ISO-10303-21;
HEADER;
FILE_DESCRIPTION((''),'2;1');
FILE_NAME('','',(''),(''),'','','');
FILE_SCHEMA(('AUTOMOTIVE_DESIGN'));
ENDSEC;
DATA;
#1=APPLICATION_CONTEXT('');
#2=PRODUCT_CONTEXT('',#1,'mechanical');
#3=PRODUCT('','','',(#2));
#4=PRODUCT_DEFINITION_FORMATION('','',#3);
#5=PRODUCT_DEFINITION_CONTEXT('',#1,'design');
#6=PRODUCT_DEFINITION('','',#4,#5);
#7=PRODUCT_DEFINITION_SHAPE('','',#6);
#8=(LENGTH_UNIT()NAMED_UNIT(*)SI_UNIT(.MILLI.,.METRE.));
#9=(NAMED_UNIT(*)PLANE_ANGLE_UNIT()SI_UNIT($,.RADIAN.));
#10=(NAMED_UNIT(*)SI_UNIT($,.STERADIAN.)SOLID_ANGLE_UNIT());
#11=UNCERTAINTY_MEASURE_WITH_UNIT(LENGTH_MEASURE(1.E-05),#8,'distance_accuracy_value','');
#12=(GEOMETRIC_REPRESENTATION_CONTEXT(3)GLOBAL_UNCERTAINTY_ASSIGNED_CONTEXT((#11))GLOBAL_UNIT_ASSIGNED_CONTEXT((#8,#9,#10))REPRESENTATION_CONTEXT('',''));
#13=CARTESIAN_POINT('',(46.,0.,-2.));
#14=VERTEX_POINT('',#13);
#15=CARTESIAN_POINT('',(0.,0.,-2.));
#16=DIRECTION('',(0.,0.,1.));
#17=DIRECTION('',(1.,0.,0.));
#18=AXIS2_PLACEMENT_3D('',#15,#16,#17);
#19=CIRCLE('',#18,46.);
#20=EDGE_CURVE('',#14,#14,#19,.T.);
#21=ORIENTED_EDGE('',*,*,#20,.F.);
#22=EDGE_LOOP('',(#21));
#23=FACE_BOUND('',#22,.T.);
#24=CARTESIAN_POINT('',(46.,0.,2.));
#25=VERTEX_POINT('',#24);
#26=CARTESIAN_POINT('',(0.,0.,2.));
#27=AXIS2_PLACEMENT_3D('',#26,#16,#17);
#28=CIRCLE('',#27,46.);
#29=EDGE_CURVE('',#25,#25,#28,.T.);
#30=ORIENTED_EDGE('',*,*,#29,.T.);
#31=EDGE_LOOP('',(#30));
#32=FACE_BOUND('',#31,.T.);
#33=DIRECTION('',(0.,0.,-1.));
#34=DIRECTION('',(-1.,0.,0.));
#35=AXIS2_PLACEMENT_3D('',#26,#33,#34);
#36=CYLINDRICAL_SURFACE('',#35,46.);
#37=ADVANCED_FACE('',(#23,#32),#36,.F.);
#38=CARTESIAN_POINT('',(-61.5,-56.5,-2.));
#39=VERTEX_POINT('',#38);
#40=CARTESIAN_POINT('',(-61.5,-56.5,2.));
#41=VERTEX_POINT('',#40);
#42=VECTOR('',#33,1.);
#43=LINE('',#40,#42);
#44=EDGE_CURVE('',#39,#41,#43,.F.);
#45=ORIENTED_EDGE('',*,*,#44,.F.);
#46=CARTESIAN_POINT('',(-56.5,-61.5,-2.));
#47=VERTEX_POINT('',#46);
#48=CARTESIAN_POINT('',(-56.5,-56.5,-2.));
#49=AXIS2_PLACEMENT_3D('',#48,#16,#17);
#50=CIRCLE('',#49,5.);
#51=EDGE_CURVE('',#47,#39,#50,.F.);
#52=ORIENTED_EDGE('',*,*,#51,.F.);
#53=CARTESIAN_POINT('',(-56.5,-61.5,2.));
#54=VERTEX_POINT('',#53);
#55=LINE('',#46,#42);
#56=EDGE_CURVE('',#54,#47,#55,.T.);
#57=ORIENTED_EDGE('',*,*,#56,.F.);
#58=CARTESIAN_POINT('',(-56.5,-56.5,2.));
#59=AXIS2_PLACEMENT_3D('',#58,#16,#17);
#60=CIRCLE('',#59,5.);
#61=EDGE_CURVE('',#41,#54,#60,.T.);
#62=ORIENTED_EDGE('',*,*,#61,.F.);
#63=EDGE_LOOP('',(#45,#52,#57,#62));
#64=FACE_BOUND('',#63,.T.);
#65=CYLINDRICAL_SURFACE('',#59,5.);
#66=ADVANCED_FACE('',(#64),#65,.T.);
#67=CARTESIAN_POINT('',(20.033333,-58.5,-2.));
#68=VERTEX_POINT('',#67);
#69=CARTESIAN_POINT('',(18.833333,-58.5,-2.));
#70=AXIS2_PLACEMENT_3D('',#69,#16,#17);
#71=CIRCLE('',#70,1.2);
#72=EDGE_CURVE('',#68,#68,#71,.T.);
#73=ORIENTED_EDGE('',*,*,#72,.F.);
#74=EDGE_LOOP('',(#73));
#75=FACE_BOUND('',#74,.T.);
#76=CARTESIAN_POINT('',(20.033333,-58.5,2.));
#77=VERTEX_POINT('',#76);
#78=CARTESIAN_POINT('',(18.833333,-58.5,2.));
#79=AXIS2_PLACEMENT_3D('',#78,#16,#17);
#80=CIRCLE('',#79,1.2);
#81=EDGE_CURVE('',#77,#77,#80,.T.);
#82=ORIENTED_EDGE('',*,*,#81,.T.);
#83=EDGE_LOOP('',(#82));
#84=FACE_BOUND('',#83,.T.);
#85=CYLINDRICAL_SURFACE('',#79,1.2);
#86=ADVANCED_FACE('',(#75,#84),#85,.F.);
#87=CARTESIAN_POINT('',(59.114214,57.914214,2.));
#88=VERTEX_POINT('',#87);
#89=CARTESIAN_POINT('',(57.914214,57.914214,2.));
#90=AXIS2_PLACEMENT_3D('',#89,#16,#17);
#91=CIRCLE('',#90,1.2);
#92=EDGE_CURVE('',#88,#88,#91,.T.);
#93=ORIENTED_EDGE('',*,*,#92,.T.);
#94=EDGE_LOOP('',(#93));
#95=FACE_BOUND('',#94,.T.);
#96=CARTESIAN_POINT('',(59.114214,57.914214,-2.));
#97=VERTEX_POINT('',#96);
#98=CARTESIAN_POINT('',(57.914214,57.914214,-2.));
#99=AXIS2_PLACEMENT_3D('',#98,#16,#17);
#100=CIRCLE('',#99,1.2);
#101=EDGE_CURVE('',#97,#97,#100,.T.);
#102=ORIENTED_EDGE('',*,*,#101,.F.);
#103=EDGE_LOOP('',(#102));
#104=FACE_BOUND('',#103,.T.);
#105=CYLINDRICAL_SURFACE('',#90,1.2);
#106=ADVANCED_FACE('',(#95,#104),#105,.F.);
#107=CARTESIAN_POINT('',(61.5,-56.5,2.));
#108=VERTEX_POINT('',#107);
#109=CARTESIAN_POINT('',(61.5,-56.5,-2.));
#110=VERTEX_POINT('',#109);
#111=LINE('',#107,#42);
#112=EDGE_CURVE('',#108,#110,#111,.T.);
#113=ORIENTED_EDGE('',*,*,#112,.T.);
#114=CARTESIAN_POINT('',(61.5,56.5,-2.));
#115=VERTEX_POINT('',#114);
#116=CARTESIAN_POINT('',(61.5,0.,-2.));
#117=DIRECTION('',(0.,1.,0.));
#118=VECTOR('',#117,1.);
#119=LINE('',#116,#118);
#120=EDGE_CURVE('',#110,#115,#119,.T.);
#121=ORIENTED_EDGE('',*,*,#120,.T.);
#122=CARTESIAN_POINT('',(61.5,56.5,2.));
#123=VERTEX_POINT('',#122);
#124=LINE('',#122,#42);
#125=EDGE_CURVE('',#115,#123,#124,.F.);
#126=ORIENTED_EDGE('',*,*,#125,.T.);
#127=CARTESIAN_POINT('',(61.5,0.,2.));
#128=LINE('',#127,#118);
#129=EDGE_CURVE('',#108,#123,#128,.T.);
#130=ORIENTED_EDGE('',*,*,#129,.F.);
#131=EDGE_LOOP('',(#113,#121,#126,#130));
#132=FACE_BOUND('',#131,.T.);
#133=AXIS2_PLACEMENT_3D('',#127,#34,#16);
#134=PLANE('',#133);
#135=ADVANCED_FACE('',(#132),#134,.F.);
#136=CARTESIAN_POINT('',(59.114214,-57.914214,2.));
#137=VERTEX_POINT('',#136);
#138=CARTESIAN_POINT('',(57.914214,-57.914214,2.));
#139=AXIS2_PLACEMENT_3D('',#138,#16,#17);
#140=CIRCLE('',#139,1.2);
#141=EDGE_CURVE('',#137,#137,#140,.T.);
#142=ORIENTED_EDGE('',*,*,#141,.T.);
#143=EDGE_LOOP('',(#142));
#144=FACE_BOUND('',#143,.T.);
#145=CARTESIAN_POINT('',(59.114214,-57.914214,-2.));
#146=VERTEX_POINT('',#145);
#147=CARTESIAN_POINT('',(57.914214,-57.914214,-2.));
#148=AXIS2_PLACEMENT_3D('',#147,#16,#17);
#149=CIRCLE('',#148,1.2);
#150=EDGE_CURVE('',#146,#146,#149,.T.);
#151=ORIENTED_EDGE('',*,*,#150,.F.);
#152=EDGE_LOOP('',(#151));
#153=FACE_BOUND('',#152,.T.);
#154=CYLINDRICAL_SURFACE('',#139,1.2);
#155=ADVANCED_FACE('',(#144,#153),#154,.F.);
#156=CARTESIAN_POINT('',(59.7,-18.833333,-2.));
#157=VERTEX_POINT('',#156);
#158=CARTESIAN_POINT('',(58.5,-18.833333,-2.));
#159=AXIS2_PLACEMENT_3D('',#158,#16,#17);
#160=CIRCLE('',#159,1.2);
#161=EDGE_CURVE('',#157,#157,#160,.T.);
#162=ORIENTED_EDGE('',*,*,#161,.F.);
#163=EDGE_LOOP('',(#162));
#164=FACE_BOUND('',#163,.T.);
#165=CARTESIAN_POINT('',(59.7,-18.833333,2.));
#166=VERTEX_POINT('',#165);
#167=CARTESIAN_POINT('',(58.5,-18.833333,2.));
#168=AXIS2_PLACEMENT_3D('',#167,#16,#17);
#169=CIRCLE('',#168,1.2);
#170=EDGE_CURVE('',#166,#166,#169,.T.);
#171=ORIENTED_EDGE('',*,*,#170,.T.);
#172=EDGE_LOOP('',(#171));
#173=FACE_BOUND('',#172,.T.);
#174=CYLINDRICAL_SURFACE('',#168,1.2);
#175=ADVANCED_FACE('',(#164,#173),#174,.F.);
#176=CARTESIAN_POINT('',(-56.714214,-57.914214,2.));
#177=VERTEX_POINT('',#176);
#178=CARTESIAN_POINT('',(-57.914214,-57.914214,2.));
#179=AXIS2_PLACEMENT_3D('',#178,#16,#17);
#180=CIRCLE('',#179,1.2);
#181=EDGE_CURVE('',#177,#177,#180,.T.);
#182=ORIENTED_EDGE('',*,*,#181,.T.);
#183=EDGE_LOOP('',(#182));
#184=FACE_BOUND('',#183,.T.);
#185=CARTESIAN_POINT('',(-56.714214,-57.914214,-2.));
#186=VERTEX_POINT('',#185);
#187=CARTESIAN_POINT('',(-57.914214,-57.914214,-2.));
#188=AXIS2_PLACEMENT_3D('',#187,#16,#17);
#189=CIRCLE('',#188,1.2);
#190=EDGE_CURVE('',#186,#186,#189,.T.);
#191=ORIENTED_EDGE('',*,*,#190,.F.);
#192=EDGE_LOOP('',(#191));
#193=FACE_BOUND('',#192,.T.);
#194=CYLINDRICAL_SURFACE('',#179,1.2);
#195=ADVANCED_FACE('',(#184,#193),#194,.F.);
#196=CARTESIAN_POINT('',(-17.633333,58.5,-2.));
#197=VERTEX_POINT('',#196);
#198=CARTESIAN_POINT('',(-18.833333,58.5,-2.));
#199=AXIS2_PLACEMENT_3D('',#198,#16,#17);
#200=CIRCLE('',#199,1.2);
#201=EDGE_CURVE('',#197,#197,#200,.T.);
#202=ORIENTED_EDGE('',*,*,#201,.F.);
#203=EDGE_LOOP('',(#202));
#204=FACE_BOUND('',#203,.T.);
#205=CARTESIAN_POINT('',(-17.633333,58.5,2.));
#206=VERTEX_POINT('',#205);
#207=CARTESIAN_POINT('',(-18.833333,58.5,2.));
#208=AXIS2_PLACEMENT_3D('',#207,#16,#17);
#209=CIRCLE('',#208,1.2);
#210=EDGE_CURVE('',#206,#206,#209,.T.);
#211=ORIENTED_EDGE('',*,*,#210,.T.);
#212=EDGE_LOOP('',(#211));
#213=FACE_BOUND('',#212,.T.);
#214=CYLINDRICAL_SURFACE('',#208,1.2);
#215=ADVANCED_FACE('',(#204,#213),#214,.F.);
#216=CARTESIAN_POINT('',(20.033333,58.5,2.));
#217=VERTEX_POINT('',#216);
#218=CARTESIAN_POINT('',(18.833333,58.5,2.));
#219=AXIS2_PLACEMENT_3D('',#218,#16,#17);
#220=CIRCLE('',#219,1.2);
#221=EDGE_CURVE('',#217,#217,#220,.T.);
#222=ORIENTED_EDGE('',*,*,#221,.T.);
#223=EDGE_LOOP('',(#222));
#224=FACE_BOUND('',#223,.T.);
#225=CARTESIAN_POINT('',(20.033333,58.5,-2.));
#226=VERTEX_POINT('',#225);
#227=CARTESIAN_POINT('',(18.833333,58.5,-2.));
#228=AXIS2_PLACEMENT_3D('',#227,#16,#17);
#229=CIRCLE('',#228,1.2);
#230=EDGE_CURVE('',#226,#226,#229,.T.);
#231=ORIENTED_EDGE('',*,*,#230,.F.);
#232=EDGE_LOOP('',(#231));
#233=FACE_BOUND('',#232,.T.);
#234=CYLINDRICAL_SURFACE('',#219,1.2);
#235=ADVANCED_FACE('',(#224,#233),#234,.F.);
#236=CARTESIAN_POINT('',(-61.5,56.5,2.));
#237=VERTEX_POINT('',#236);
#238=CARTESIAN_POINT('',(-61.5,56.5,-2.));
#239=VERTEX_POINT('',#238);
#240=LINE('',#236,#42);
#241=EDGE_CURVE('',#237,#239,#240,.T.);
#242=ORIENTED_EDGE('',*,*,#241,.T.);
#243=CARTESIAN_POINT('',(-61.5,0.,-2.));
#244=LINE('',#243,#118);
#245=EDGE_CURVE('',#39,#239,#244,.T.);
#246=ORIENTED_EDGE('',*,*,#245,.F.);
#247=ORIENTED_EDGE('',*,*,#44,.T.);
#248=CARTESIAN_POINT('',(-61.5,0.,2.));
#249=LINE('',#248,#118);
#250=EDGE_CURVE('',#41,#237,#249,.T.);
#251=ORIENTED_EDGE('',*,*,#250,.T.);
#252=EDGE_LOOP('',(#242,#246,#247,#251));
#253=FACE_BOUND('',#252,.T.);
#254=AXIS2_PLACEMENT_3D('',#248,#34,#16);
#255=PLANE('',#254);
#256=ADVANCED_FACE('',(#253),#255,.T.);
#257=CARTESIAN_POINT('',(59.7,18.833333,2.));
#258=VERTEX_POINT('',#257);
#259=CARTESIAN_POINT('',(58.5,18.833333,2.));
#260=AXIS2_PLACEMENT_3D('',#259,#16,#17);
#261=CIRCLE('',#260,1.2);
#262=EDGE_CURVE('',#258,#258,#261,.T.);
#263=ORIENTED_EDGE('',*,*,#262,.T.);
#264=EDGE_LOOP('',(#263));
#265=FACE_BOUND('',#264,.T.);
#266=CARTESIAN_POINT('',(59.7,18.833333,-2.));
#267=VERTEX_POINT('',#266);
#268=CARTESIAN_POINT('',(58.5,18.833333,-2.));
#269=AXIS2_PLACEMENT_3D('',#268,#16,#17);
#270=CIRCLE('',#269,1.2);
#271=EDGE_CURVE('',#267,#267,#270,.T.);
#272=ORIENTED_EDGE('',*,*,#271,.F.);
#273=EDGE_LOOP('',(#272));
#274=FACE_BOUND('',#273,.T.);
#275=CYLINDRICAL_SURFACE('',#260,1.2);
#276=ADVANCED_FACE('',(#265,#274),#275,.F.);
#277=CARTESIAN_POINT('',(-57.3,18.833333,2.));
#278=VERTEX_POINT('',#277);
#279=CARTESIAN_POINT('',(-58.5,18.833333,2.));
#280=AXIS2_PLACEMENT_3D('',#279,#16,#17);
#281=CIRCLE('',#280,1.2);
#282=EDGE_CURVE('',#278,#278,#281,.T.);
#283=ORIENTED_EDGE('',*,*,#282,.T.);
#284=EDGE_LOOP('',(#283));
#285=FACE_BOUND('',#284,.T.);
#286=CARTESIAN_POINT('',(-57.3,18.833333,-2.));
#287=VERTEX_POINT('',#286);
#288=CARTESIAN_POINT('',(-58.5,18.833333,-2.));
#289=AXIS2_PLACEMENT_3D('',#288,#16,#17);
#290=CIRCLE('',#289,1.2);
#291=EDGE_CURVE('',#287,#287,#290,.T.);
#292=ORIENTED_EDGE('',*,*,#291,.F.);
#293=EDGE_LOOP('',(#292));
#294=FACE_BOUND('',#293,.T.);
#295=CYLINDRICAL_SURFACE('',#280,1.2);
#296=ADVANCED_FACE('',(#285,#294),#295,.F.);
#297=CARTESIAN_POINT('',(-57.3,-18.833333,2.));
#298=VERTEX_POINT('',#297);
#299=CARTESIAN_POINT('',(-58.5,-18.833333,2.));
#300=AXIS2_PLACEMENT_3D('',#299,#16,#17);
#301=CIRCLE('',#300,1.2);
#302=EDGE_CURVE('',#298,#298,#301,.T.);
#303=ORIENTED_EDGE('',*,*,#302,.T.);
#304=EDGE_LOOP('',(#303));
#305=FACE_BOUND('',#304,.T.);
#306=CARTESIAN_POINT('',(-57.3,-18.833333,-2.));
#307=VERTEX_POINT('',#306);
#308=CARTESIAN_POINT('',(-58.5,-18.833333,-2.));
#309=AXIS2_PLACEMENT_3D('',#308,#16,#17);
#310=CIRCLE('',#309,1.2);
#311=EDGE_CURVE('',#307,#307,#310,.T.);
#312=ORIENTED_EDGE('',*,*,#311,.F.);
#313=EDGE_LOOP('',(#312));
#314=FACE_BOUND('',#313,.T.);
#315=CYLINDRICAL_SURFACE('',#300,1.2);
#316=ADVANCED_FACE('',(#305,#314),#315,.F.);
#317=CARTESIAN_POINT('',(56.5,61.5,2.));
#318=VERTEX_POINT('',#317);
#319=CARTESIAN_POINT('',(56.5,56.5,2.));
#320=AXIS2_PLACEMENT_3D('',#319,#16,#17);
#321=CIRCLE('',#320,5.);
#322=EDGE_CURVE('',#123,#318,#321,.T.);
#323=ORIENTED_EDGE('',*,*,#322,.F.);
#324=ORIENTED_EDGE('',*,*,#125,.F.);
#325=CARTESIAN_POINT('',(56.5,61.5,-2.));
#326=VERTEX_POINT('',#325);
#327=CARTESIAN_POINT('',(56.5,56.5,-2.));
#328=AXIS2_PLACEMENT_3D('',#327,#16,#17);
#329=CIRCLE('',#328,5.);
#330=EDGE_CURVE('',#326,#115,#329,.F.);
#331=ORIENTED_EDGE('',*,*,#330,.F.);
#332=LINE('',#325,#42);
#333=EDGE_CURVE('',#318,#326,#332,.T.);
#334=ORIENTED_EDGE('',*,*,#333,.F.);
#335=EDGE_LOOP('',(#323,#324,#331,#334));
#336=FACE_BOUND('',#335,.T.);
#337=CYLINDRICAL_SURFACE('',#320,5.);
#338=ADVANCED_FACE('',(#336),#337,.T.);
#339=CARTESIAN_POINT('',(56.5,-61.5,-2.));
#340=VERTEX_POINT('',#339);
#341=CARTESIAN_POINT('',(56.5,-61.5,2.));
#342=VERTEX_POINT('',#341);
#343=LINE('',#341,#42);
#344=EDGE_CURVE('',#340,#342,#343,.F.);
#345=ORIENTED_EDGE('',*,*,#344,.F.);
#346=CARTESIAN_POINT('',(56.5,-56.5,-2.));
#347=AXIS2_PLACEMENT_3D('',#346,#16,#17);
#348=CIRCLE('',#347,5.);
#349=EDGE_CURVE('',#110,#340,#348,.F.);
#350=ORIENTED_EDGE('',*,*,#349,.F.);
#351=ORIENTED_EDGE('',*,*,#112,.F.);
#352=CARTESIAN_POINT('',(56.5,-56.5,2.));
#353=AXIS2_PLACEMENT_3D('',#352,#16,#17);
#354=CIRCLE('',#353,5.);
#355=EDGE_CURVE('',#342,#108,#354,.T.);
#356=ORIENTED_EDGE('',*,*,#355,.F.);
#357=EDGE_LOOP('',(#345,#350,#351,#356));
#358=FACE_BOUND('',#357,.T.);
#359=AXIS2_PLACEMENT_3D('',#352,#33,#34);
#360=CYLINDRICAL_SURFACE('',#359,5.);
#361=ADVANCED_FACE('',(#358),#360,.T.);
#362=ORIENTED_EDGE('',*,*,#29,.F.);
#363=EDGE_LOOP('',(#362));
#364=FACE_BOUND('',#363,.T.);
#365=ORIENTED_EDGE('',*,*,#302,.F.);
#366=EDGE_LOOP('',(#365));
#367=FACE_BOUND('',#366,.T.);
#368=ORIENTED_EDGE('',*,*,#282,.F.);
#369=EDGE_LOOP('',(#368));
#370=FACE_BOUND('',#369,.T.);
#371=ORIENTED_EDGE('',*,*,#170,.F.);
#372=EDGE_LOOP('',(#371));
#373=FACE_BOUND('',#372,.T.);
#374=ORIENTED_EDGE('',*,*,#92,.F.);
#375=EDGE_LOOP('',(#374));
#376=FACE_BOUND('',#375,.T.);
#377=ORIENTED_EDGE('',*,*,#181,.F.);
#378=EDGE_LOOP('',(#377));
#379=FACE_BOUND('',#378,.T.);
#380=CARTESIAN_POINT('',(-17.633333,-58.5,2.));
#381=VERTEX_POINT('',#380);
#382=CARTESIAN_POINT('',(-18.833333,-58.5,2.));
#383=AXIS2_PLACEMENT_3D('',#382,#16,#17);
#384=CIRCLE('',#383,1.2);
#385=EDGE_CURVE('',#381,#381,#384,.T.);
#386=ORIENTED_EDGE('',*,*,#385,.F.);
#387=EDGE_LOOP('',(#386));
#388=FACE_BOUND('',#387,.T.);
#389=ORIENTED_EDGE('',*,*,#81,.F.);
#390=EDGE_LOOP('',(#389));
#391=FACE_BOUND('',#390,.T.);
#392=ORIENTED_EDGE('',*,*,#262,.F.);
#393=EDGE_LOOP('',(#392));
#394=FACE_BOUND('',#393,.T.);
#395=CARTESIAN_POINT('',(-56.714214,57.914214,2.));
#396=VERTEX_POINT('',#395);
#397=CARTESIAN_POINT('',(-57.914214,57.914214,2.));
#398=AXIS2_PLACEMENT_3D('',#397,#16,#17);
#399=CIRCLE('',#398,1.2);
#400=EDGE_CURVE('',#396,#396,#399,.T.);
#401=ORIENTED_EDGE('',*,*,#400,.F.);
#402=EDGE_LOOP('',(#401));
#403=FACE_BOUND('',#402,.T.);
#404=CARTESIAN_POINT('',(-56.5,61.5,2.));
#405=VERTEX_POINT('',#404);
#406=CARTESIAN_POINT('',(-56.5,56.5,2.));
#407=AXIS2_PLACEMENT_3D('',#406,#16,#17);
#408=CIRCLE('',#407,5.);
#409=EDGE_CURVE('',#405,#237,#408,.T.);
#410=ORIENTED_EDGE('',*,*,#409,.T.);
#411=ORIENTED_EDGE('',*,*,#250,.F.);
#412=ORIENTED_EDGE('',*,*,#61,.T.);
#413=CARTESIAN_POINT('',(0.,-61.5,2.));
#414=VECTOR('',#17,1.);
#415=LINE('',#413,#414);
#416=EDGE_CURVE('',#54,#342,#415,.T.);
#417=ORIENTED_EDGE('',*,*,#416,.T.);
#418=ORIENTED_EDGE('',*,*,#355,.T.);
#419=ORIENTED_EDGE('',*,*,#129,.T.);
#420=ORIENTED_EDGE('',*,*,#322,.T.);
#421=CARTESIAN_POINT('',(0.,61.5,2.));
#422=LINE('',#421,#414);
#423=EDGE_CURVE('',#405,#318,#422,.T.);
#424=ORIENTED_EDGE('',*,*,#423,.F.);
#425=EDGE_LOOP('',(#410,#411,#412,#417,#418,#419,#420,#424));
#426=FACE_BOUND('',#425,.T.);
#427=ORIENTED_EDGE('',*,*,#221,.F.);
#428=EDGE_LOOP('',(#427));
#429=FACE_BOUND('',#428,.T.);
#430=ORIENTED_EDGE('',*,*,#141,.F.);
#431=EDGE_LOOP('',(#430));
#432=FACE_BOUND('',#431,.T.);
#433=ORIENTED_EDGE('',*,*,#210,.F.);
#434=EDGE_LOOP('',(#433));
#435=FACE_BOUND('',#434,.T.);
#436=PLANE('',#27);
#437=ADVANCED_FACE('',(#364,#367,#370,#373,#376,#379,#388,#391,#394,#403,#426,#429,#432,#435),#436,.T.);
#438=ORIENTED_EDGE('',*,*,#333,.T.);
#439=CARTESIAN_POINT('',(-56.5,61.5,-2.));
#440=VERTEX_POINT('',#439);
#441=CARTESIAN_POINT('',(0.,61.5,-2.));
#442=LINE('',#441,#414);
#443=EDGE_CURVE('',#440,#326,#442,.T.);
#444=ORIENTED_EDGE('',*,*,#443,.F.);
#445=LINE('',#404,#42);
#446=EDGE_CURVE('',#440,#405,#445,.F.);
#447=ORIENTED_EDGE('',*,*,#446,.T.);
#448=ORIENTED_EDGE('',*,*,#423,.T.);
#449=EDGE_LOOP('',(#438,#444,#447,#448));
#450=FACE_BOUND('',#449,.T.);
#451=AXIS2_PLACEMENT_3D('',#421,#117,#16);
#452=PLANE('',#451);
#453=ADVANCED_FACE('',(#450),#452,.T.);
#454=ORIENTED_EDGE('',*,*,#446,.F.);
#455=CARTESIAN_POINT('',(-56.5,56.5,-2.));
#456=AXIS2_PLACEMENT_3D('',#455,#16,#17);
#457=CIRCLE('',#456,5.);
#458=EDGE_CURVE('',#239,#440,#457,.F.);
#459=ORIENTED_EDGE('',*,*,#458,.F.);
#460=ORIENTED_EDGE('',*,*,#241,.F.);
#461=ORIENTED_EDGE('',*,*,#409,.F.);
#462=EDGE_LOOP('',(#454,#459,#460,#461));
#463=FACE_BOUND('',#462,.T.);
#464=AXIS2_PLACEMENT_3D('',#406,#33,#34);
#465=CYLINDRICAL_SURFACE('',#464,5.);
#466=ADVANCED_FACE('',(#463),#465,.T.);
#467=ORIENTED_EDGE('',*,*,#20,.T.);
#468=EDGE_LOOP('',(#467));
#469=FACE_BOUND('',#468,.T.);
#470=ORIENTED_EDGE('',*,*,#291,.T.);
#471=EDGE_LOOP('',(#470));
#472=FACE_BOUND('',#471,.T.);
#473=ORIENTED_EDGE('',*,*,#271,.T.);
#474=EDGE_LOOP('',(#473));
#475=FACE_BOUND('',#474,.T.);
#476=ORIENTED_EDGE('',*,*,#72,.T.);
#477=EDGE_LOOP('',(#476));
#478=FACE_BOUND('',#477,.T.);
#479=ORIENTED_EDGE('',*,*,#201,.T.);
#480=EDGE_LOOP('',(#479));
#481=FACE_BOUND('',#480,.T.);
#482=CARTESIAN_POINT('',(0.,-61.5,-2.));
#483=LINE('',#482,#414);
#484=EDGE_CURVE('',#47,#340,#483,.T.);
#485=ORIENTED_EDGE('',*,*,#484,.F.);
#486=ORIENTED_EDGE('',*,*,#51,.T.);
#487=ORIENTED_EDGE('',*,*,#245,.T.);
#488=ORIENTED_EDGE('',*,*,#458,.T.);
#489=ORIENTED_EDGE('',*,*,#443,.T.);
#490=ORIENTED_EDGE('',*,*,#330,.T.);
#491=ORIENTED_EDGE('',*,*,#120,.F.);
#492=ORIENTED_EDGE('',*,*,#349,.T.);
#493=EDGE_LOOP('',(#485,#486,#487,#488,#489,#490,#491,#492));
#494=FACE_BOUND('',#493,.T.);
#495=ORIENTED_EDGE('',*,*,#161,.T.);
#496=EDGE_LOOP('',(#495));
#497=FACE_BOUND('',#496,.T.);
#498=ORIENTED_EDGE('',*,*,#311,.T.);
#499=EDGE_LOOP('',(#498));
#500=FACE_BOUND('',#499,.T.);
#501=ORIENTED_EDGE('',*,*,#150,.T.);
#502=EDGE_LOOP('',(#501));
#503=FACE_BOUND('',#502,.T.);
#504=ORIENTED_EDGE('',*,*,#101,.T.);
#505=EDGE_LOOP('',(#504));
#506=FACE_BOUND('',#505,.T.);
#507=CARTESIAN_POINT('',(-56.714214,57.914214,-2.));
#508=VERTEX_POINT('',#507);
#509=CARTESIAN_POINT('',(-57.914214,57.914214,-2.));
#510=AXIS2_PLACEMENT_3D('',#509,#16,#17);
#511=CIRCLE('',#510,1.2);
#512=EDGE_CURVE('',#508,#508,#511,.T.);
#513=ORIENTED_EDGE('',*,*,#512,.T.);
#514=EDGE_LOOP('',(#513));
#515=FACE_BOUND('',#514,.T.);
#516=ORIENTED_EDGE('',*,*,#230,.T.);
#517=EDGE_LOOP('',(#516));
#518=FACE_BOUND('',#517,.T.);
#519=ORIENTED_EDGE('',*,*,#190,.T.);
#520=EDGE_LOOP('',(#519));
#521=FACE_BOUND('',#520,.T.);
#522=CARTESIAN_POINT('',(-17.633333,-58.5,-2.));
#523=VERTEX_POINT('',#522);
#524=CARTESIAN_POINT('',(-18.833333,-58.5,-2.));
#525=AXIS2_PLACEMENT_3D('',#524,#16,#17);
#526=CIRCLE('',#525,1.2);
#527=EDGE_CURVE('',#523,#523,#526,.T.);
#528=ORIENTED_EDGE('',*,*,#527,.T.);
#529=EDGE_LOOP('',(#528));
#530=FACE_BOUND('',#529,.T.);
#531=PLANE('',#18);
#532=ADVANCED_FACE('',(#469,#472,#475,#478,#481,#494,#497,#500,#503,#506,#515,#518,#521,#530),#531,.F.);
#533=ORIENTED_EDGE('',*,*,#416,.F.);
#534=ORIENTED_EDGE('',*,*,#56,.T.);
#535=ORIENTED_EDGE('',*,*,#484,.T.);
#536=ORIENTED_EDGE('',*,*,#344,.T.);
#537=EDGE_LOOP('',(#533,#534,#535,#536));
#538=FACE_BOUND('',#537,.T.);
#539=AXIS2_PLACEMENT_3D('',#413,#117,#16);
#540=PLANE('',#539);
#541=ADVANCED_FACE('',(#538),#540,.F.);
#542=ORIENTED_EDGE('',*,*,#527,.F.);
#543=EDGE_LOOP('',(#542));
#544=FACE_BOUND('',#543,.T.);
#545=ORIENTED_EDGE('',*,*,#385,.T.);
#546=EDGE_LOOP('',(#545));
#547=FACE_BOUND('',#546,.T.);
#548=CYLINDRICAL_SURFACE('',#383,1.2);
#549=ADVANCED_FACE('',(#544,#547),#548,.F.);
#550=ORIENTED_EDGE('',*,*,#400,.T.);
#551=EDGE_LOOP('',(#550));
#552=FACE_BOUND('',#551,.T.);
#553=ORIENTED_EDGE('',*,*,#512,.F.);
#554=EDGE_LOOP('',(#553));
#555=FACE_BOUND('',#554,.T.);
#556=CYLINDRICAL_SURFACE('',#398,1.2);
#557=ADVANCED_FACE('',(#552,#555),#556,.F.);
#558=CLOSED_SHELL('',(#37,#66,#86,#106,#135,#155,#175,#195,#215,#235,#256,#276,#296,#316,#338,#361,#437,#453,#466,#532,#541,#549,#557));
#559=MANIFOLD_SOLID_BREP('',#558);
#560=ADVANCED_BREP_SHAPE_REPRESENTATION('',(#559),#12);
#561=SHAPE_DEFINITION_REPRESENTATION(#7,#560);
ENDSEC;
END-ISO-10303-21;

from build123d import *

# Parameters (mm, degrees)
SKETCH1_W                = 123
SKETCH1_H                = 123
SKETCH1_R                = 46
BOSS_EXTRUDE1_DEPTH      = 2
FILLET1_R                = 5
M2_CLEARANCE_HOLE1_D     = 2.4
M2_CLEARANCE_HOLE1_DEPTH = 4


with BuildPart() as part:
    # Sketch1 → Boss-Extrude1 (new body, symmetric)
    with BuildSketch(Plane.XY):
        Rectangle(SKETCH1_W, SKETCH1_H)
        Circle(SKETCH1_R, mode=Mode.SUBTRACT)
    extrude(amount=BOSS_EXTRUDE1_DEPTH, both=True)

    # Fillet1
    fillet1_edges = [part.edges().sort_by_distance(p)[0] for p in [
        (-61.5, -61.5, 0),
        (-61.5, 61.5, 0),
        (61.5, 61.5, 0),
        (61.5, -61.5, 0),
    ]]
    fillet(fillet1_edges, radius=FILLET1_R)

    # M2 Clearance Hole1
    with Locations(Plane.XY.offset(2)):
        with Locations((58.5, -18.833333333), (-57.914213562, 57.914213562), (57.914213562, 57.914213562), (57.914213562, -57.914213562), (-57.914213562, -57.914213562), (-18.833333333, -58.5), (18.833333333, -58.5), (-58.5, -18.833333333), (-58.5, 18.833333333), (-18.833333333, 58.5), (18.833333333, 58.5), (58.5, 18.833333333)):
            Hole(M2_CLEARANCE_HOLE1_D / 2, depth=M2_CLEARANCE_HOLE1_DEPTH)


solid = part.part
